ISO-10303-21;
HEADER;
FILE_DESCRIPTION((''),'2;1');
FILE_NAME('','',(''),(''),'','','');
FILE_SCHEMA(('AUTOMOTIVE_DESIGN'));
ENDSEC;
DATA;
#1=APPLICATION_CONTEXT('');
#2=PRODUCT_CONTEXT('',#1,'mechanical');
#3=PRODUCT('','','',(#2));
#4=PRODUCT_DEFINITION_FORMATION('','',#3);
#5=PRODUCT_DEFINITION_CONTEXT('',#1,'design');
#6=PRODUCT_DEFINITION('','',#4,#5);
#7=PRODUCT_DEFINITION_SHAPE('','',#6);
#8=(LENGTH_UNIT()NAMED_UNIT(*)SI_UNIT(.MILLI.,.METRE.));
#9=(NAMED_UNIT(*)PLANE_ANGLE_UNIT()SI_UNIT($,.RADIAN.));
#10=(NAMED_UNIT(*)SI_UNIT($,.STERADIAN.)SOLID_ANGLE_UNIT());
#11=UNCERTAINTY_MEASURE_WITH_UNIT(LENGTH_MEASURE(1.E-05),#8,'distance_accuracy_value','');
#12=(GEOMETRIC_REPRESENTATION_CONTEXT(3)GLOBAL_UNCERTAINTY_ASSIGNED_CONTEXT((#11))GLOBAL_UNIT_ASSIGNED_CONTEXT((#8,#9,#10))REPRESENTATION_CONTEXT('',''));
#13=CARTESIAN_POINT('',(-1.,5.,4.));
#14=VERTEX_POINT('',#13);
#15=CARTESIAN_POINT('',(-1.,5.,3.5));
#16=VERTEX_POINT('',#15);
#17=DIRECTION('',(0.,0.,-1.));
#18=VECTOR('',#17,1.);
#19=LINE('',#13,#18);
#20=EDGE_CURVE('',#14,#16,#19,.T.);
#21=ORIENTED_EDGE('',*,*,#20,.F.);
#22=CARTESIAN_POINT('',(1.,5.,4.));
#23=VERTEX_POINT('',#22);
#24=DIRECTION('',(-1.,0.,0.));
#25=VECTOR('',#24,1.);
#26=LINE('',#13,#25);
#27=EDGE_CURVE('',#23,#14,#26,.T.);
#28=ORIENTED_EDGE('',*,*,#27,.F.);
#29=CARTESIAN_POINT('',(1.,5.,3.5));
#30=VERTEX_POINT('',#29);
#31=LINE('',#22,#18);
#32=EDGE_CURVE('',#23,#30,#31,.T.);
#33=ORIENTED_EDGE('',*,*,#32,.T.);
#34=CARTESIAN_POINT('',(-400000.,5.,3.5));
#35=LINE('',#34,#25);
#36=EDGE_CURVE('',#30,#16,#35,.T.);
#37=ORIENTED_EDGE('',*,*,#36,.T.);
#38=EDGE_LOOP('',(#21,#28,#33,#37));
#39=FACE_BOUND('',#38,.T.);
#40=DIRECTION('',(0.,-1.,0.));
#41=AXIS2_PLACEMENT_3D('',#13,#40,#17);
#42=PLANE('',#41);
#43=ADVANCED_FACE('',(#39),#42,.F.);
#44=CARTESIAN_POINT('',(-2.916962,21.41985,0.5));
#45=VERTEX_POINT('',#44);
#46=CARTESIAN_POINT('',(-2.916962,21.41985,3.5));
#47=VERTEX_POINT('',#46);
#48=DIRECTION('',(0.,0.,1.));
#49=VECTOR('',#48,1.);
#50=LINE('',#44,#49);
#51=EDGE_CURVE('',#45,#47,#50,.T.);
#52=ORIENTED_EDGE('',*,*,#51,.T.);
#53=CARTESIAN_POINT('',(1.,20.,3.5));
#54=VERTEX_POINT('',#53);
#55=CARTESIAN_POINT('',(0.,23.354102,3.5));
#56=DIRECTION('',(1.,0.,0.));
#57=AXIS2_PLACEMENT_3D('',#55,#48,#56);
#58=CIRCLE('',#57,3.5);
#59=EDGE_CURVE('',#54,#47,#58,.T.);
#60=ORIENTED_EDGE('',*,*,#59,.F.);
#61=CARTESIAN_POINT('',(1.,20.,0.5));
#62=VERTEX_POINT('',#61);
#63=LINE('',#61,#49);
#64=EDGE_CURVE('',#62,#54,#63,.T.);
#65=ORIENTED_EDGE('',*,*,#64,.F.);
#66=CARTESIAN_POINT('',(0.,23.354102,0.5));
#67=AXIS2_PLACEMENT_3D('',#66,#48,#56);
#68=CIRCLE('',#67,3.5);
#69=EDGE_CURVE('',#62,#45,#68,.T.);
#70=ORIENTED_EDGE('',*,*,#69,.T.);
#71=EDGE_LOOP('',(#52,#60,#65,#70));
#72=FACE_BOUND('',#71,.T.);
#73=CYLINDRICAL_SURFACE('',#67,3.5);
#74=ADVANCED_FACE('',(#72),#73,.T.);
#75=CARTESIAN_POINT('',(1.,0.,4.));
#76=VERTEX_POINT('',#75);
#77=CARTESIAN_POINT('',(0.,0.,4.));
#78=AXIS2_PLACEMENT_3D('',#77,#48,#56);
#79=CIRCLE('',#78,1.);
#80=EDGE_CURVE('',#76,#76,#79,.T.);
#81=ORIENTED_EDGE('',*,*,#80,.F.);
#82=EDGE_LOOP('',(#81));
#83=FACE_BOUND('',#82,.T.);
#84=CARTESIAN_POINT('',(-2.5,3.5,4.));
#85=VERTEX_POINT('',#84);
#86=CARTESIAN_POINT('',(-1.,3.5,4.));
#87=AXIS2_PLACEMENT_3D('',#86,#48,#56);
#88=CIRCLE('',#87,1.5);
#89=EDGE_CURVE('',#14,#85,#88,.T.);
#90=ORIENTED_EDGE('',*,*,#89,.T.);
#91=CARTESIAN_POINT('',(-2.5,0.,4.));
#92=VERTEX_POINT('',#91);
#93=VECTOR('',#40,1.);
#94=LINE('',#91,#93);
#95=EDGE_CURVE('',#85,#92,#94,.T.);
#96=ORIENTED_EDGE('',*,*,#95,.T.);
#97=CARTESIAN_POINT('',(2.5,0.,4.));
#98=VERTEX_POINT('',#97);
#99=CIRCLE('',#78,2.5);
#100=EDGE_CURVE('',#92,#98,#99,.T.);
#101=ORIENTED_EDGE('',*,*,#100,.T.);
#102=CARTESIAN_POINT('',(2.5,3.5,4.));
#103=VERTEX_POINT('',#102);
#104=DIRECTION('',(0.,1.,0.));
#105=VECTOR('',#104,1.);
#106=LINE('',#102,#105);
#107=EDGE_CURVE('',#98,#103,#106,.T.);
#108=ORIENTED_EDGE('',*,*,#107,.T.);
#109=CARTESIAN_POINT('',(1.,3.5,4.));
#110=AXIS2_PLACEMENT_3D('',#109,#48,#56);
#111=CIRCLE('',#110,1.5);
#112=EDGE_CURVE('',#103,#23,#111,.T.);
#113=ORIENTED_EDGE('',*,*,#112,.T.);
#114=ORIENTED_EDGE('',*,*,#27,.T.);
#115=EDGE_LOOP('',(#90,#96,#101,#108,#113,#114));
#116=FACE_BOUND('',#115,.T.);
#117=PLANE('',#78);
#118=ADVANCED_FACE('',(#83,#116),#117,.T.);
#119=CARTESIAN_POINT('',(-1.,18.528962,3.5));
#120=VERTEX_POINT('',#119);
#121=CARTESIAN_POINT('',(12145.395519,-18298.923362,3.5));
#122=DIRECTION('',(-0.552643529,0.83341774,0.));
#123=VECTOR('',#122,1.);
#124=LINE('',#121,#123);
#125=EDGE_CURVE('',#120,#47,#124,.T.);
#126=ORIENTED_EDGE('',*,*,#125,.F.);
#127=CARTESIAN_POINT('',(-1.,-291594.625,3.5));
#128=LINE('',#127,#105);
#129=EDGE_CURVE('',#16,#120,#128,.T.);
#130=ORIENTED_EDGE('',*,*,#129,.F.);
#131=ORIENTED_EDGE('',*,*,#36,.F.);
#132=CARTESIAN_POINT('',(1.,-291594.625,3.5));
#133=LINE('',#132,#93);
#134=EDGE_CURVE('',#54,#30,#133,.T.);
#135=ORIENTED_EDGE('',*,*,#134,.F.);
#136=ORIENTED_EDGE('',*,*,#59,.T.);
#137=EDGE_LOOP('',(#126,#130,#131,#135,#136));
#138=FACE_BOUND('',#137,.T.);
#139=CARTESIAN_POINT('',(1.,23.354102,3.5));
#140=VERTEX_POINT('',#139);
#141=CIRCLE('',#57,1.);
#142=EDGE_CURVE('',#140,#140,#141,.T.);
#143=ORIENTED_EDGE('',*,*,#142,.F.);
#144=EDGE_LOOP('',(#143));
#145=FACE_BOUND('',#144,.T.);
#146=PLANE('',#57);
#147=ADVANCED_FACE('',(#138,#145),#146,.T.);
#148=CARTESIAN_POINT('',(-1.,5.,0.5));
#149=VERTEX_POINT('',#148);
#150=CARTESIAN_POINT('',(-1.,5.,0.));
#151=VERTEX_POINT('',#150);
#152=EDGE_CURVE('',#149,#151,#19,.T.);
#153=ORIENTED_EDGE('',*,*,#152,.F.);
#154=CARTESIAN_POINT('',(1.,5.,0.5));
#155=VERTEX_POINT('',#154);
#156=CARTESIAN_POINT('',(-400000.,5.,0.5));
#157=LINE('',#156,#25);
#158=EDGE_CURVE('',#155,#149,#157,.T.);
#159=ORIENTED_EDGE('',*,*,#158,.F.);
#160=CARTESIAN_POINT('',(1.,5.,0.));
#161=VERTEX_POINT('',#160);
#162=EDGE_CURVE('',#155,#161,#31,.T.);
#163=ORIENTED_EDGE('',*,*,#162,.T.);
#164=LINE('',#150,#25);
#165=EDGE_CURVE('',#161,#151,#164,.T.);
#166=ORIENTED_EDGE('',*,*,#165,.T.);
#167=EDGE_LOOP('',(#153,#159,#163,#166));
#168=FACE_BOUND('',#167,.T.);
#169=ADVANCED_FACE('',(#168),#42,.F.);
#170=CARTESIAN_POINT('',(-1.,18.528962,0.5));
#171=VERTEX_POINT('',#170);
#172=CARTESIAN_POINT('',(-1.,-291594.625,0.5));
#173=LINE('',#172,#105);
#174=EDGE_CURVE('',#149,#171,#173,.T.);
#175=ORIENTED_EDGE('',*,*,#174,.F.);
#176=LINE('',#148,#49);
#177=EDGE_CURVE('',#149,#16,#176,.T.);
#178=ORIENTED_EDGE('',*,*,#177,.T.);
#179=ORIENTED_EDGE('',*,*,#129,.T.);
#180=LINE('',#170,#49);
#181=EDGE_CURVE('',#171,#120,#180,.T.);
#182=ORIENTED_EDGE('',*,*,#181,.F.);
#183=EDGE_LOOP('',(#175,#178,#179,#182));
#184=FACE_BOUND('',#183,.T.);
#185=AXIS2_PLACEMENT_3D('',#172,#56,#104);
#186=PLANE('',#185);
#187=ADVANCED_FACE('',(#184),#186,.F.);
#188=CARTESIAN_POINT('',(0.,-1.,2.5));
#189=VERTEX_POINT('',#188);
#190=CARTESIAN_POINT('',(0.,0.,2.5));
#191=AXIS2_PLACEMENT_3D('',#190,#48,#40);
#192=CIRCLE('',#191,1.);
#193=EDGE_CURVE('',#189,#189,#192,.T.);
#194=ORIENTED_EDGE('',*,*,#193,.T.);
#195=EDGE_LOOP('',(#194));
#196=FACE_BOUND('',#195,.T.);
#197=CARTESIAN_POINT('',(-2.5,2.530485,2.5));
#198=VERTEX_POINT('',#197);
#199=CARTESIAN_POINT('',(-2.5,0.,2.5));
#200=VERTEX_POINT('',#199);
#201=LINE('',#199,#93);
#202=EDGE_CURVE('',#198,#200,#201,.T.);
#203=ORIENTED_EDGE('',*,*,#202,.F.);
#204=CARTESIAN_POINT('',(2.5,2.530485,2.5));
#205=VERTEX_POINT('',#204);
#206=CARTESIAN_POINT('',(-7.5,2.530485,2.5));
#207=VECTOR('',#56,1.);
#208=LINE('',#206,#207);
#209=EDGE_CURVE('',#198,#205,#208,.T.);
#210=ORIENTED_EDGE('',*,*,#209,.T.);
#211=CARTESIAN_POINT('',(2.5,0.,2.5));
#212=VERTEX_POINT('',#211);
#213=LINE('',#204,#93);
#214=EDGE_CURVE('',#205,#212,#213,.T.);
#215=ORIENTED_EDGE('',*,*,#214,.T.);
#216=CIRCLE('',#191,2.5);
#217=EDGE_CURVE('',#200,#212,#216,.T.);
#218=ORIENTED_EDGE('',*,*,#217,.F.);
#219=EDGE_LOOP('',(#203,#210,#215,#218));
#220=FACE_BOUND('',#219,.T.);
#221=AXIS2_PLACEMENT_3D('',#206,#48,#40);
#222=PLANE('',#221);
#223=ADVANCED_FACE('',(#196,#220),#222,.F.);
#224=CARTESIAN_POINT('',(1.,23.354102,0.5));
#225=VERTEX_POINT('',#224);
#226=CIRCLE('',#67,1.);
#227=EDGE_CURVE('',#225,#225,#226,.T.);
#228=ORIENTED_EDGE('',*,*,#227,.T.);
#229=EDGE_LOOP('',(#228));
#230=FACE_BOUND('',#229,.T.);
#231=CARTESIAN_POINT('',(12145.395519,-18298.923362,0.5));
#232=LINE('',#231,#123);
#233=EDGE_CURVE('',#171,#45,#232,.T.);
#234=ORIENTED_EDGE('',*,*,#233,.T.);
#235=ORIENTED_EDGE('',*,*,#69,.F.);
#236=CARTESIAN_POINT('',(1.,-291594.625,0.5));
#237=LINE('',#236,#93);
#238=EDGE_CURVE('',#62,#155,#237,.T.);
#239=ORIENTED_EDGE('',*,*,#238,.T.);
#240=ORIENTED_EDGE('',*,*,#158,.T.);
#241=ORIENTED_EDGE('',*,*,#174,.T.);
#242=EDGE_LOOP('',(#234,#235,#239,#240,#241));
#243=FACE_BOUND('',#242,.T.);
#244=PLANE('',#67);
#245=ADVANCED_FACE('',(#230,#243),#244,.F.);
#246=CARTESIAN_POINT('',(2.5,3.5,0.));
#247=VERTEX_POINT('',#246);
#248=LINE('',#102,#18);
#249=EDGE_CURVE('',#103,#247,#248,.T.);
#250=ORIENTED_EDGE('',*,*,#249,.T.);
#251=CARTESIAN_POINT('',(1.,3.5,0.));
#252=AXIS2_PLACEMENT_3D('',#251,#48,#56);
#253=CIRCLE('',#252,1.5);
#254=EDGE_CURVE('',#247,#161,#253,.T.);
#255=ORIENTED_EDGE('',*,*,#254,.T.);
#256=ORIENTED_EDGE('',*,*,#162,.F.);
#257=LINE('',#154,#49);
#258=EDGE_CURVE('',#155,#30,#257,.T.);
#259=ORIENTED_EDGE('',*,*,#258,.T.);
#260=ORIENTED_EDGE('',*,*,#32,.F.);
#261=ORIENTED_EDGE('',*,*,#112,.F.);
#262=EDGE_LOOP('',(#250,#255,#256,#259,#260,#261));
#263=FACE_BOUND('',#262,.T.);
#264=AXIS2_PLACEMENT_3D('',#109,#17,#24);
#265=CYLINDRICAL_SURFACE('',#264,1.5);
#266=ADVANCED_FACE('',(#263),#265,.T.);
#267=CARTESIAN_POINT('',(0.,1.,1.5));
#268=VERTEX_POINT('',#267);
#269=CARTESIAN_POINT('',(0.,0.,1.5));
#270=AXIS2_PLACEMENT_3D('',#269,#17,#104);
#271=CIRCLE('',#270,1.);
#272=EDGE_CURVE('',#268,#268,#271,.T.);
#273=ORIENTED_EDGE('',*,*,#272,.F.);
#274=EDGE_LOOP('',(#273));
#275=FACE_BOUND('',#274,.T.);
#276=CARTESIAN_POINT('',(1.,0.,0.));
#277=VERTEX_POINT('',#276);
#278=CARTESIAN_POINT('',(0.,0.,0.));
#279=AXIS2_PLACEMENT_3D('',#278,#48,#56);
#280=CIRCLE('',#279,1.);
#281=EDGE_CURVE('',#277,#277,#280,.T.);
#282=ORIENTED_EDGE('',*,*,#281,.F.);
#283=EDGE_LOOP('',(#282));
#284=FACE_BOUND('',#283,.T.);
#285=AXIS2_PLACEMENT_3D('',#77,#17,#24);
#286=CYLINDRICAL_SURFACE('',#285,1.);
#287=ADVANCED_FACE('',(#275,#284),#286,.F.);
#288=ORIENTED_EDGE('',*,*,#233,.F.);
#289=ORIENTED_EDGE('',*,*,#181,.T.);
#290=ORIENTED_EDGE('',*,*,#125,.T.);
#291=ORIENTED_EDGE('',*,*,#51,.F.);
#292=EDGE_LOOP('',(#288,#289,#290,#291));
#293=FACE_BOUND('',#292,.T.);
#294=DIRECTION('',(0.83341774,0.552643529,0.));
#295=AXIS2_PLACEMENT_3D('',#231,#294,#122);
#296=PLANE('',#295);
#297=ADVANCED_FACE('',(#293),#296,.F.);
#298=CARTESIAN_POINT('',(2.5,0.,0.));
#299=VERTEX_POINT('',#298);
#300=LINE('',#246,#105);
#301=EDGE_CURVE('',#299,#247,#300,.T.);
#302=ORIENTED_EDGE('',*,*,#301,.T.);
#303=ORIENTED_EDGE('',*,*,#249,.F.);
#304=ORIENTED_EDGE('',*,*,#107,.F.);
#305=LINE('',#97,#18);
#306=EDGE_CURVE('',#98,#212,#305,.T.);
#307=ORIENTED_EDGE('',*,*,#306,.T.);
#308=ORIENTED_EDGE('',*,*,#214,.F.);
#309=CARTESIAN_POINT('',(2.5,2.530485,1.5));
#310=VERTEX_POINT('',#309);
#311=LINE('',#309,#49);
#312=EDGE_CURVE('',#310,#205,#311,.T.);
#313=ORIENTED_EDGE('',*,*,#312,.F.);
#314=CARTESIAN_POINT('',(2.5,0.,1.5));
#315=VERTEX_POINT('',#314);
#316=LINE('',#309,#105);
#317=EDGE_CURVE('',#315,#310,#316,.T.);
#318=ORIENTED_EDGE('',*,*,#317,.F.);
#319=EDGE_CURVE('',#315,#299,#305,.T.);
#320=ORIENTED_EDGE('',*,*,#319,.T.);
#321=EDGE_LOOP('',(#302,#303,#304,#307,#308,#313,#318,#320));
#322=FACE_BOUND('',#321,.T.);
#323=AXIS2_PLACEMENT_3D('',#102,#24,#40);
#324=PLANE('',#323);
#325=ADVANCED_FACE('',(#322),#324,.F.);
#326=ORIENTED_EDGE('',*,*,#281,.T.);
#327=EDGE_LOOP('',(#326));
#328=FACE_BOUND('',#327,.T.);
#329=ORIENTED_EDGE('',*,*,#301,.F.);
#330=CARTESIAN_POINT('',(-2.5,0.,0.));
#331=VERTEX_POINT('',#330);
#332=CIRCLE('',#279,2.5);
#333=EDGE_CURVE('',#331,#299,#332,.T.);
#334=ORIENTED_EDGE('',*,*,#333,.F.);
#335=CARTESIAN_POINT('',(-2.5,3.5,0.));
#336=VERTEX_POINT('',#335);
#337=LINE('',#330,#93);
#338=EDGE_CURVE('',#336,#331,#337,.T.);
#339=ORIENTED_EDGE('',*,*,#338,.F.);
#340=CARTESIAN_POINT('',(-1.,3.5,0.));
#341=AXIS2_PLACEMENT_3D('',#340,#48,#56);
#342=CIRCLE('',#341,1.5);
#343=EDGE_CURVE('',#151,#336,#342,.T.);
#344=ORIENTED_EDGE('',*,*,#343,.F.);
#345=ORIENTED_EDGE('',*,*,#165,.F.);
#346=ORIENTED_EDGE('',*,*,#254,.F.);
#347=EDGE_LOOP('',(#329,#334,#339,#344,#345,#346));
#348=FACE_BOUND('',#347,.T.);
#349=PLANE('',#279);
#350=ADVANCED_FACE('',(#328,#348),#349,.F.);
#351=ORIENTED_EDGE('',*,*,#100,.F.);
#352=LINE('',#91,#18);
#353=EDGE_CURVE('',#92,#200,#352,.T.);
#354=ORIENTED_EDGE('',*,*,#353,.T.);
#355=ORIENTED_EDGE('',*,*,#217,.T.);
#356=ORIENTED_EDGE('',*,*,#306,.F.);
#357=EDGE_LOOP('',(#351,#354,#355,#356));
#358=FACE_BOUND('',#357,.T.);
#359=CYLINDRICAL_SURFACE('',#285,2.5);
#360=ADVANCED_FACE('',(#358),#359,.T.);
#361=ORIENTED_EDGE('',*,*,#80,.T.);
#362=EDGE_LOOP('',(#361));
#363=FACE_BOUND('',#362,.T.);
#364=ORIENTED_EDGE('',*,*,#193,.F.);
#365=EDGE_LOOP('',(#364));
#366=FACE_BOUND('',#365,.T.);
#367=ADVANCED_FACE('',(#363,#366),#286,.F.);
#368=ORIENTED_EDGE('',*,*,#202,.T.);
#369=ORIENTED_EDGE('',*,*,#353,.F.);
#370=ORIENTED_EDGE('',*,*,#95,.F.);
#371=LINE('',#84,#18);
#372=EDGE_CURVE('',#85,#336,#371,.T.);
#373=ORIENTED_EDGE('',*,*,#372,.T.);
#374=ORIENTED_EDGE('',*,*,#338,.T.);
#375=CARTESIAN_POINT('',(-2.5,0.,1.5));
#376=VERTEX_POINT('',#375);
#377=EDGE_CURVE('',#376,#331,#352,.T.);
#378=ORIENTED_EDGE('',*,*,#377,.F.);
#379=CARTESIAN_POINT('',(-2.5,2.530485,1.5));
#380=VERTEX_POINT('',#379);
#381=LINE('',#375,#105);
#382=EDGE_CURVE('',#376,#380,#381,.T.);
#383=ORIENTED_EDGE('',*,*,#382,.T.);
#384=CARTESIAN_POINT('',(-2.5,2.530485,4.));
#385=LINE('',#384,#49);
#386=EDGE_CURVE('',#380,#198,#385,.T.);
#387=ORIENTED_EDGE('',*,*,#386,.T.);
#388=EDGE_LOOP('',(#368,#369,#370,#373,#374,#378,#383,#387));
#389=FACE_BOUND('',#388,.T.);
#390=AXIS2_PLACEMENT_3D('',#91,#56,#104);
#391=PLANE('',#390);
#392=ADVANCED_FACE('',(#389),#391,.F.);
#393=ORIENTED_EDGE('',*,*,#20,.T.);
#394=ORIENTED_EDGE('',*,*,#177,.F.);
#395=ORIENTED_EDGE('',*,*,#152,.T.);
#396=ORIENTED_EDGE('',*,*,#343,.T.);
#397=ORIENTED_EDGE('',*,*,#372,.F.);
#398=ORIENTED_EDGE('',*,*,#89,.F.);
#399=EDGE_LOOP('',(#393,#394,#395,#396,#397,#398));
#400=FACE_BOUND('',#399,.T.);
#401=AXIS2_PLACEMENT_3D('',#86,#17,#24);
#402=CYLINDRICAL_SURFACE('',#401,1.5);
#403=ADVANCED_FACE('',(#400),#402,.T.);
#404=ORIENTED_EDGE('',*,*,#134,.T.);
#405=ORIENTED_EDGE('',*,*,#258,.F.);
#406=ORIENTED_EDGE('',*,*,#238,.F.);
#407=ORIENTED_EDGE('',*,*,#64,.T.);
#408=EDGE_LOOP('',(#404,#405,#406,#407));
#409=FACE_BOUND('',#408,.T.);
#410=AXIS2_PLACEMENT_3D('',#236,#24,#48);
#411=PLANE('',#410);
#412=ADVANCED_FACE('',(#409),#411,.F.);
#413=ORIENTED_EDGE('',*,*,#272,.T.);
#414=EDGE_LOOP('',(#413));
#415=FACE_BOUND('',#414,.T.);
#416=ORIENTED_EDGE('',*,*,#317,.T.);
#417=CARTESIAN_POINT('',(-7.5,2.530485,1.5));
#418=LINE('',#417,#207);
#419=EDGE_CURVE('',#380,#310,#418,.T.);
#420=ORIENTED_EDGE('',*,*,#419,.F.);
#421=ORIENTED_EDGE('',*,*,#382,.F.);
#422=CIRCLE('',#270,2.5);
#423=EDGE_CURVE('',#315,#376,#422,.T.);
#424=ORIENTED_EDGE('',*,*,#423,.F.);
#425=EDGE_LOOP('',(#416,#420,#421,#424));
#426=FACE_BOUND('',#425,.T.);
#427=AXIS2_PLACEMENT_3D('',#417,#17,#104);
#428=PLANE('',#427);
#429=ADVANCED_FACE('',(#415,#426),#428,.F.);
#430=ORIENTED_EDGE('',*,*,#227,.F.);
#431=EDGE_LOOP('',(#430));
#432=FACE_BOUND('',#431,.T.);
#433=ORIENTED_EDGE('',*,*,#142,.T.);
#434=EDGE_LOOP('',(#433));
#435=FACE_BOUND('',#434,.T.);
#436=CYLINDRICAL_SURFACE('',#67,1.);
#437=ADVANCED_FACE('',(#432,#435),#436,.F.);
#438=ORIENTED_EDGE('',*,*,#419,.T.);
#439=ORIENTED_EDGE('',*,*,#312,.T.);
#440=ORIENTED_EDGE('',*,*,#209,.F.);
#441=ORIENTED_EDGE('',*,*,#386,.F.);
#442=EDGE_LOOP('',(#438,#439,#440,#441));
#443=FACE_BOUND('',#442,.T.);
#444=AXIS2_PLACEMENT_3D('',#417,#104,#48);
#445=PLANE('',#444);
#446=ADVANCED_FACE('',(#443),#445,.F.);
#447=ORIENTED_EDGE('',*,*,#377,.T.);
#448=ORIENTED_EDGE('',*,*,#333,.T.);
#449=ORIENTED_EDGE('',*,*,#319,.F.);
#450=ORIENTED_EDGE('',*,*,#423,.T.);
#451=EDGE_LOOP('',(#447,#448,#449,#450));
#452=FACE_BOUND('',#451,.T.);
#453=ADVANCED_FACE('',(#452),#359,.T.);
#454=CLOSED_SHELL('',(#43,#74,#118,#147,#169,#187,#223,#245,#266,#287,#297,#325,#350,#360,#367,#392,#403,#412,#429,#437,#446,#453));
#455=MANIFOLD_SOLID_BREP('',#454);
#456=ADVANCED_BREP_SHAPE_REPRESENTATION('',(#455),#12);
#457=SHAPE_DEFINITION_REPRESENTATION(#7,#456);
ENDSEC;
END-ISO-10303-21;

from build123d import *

# Parameters (mm, degrees)
SKETCH1_R                = 1
BOSS_EXTRUDE1_DEPTH      = 4
BOSS_EXTRUDE2_DEPTH      = 1.5
BOSS_EXTRUDE2_DEPTH_BACK = 1.5
BOSS_EXTRUDE2_START      = 2
SKETCH2_R                = 1
SKETCH3_W                = 1
SKETCH3_H                = 6.076691854
CUT_EXTRUDE1_DEPTH       = 10


with BuildPart() as part:
    # Sketch1 → Boss-Extrude1 (new body)
    with BuildSketch(Plane.XY):
        with BuildLine():
            Line((-2.5, 0), (-2.5, 3.5))
            ThreePointArc((-2.5, 3.5), (-2.060660172, 4.560660172), (-1, 5))
            Line((-1, 5), (1, 5))
            ThreePointArc((1, 5), (2.060660172, 4.560660172), (2.5, 3.5))
            Line((2.5, 3.5), (2.5, 0))
            ThreePointArc((2.5, 0), (0, -2.5), (-2.5, 0))
        make_face()
        Circle(SKETCH1_R, mode=Mode.SUBTRACT)
    extrude(amount=BOSS_EXTRUDE1_DEPTH)

    # Sketch2 → Boss-Extrude2 (add, two sides: drawn at the far end of the back side and taken through both)
    with BuildSketch(Plane.XY.offset(BOSS_EXTRUDE2_START - BOSS_EXTRUDE2_DEPTH_BACK)):
        with BuildLine():
            Line((1, 5), (1, 20))
            ThreePointArc((1, 20), (1.192761143, 26.644591422), (-2.91696209, 21.419849613))
            Line((-2.91696209, 21.419849613), (-1, 18.528962219))
            Line((-1, 18.528962219), (-1, 5))
            Line((-1, 5), (1, 5))
        make_face()
        with Locations((0, 23.354101966)):
            Circle(SKETCH2_R, mode=Mode.SUBTRACT)
    extrude(amount=BOSS_EXTRUDE2_DEPTH + BOSS_EXTRUDE2_DEPTH_BACK)

    # Sketch3 → Cut-Extrude1 (cut)
    with BuildSketch(Plane(origin=(2.5, 0, 0), x_dir=(0, 0, -1), z_dir=(1, 0, 0))):
        with Locations((-2, -0.507860796)):
            Rectangle(SKETCH3_W, SKETCH3_H)
    extrude(amount=-CUT_EXTRUDE1_DEPTH, mode=Mode.SUBTRACT)


solid = part.part
